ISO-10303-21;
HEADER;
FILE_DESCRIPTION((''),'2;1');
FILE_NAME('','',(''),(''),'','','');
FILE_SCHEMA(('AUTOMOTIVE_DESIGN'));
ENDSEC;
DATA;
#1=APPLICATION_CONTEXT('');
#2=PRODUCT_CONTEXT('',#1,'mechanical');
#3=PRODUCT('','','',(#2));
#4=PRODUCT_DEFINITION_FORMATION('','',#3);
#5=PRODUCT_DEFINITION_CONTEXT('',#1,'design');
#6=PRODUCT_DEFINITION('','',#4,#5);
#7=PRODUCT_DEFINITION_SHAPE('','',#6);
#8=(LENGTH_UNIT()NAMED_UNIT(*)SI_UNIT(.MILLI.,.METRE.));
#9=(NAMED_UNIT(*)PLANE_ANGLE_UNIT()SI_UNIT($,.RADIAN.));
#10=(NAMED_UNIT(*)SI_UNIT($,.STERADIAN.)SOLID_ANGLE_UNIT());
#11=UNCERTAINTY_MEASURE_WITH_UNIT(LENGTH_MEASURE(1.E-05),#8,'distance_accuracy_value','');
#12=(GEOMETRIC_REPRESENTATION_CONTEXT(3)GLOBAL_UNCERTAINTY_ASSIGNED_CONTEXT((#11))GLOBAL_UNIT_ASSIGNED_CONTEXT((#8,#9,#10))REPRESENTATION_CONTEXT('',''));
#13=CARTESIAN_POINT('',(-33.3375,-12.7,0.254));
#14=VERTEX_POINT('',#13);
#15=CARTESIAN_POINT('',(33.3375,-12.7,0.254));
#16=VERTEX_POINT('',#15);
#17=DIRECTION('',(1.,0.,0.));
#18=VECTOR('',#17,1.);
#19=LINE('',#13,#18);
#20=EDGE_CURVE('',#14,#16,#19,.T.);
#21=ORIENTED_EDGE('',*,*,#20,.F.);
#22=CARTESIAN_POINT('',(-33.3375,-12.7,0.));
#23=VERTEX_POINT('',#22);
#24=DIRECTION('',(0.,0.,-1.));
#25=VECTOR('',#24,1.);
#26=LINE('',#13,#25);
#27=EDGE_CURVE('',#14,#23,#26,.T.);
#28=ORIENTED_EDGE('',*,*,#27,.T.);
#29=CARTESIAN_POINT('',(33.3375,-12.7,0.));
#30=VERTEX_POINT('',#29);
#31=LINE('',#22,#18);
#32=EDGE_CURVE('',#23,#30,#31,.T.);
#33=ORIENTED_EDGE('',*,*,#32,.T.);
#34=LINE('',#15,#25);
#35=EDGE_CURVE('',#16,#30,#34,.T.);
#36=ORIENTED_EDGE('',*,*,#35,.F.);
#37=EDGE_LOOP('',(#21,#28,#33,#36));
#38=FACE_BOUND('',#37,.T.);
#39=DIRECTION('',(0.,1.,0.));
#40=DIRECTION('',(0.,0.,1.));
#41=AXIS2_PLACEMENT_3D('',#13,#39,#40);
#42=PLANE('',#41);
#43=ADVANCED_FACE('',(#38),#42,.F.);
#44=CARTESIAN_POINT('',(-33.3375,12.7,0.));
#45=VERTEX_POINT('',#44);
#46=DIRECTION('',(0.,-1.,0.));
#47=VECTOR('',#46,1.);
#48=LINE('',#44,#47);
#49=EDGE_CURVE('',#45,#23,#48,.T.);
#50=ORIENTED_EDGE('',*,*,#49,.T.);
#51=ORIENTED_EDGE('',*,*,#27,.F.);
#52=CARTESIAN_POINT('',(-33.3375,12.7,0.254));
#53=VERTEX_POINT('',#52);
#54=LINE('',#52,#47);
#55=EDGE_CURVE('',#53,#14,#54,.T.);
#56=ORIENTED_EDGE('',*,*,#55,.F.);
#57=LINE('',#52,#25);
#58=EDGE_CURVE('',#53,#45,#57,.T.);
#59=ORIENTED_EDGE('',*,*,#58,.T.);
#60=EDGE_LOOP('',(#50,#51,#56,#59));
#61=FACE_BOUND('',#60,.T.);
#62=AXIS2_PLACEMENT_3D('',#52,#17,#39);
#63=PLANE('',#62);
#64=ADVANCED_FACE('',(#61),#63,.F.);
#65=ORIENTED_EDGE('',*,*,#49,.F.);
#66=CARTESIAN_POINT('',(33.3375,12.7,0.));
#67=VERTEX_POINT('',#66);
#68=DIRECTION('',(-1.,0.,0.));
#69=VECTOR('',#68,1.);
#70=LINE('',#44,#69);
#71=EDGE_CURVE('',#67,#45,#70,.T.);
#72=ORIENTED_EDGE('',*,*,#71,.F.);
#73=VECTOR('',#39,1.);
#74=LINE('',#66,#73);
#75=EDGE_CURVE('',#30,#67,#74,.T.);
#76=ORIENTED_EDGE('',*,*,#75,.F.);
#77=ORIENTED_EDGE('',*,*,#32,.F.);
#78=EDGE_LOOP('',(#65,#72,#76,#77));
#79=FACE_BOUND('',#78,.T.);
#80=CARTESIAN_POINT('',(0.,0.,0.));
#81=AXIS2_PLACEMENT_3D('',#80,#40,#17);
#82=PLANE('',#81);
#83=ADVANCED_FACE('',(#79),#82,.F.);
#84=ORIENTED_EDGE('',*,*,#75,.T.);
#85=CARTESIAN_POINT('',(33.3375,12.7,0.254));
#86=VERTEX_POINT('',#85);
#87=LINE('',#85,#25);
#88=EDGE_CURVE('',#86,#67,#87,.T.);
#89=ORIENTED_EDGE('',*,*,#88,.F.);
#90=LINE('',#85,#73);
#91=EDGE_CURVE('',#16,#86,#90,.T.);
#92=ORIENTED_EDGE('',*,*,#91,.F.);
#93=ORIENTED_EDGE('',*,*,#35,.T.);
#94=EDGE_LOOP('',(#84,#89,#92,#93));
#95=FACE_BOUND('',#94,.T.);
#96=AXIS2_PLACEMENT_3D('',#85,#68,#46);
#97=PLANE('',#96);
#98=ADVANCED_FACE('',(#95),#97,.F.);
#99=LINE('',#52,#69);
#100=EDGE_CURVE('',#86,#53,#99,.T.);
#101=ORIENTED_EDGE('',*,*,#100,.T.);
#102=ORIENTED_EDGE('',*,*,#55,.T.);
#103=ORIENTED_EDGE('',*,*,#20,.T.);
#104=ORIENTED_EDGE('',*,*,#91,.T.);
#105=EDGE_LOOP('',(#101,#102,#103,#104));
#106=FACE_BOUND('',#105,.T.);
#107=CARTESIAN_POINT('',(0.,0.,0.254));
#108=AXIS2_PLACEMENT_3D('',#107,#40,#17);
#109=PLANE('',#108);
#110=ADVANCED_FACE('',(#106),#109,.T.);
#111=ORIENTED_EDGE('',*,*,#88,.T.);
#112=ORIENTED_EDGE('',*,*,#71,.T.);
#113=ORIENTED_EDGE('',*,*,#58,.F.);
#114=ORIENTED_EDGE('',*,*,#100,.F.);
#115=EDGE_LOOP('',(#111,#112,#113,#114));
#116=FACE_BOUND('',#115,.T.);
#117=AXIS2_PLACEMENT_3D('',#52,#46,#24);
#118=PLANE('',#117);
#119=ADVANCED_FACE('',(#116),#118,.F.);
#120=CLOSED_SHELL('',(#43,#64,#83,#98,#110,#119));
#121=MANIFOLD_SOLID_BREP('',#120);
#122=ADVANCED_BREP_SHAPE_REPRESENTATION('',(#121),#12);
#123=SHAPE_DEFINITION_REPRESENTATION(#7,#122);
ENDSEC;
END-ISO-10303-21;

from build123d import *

# Parameters (mm, degrees)
SKETCH1_W           = 66.675
SKETCH1_H           = 25.4
BOSS_EXTRUDE1_DEPTH = 0.254


with BuildPart() as part:
    # Sketch1 → Boss-Extrude1 (new body)
    with BuildSketch(Plane.XY):
        Rectangle(SKETCH1_W, SKETCH1_H)
    extrude(amount=BOSS_EXTRUDE1_DEPTH)


solid = part.part
